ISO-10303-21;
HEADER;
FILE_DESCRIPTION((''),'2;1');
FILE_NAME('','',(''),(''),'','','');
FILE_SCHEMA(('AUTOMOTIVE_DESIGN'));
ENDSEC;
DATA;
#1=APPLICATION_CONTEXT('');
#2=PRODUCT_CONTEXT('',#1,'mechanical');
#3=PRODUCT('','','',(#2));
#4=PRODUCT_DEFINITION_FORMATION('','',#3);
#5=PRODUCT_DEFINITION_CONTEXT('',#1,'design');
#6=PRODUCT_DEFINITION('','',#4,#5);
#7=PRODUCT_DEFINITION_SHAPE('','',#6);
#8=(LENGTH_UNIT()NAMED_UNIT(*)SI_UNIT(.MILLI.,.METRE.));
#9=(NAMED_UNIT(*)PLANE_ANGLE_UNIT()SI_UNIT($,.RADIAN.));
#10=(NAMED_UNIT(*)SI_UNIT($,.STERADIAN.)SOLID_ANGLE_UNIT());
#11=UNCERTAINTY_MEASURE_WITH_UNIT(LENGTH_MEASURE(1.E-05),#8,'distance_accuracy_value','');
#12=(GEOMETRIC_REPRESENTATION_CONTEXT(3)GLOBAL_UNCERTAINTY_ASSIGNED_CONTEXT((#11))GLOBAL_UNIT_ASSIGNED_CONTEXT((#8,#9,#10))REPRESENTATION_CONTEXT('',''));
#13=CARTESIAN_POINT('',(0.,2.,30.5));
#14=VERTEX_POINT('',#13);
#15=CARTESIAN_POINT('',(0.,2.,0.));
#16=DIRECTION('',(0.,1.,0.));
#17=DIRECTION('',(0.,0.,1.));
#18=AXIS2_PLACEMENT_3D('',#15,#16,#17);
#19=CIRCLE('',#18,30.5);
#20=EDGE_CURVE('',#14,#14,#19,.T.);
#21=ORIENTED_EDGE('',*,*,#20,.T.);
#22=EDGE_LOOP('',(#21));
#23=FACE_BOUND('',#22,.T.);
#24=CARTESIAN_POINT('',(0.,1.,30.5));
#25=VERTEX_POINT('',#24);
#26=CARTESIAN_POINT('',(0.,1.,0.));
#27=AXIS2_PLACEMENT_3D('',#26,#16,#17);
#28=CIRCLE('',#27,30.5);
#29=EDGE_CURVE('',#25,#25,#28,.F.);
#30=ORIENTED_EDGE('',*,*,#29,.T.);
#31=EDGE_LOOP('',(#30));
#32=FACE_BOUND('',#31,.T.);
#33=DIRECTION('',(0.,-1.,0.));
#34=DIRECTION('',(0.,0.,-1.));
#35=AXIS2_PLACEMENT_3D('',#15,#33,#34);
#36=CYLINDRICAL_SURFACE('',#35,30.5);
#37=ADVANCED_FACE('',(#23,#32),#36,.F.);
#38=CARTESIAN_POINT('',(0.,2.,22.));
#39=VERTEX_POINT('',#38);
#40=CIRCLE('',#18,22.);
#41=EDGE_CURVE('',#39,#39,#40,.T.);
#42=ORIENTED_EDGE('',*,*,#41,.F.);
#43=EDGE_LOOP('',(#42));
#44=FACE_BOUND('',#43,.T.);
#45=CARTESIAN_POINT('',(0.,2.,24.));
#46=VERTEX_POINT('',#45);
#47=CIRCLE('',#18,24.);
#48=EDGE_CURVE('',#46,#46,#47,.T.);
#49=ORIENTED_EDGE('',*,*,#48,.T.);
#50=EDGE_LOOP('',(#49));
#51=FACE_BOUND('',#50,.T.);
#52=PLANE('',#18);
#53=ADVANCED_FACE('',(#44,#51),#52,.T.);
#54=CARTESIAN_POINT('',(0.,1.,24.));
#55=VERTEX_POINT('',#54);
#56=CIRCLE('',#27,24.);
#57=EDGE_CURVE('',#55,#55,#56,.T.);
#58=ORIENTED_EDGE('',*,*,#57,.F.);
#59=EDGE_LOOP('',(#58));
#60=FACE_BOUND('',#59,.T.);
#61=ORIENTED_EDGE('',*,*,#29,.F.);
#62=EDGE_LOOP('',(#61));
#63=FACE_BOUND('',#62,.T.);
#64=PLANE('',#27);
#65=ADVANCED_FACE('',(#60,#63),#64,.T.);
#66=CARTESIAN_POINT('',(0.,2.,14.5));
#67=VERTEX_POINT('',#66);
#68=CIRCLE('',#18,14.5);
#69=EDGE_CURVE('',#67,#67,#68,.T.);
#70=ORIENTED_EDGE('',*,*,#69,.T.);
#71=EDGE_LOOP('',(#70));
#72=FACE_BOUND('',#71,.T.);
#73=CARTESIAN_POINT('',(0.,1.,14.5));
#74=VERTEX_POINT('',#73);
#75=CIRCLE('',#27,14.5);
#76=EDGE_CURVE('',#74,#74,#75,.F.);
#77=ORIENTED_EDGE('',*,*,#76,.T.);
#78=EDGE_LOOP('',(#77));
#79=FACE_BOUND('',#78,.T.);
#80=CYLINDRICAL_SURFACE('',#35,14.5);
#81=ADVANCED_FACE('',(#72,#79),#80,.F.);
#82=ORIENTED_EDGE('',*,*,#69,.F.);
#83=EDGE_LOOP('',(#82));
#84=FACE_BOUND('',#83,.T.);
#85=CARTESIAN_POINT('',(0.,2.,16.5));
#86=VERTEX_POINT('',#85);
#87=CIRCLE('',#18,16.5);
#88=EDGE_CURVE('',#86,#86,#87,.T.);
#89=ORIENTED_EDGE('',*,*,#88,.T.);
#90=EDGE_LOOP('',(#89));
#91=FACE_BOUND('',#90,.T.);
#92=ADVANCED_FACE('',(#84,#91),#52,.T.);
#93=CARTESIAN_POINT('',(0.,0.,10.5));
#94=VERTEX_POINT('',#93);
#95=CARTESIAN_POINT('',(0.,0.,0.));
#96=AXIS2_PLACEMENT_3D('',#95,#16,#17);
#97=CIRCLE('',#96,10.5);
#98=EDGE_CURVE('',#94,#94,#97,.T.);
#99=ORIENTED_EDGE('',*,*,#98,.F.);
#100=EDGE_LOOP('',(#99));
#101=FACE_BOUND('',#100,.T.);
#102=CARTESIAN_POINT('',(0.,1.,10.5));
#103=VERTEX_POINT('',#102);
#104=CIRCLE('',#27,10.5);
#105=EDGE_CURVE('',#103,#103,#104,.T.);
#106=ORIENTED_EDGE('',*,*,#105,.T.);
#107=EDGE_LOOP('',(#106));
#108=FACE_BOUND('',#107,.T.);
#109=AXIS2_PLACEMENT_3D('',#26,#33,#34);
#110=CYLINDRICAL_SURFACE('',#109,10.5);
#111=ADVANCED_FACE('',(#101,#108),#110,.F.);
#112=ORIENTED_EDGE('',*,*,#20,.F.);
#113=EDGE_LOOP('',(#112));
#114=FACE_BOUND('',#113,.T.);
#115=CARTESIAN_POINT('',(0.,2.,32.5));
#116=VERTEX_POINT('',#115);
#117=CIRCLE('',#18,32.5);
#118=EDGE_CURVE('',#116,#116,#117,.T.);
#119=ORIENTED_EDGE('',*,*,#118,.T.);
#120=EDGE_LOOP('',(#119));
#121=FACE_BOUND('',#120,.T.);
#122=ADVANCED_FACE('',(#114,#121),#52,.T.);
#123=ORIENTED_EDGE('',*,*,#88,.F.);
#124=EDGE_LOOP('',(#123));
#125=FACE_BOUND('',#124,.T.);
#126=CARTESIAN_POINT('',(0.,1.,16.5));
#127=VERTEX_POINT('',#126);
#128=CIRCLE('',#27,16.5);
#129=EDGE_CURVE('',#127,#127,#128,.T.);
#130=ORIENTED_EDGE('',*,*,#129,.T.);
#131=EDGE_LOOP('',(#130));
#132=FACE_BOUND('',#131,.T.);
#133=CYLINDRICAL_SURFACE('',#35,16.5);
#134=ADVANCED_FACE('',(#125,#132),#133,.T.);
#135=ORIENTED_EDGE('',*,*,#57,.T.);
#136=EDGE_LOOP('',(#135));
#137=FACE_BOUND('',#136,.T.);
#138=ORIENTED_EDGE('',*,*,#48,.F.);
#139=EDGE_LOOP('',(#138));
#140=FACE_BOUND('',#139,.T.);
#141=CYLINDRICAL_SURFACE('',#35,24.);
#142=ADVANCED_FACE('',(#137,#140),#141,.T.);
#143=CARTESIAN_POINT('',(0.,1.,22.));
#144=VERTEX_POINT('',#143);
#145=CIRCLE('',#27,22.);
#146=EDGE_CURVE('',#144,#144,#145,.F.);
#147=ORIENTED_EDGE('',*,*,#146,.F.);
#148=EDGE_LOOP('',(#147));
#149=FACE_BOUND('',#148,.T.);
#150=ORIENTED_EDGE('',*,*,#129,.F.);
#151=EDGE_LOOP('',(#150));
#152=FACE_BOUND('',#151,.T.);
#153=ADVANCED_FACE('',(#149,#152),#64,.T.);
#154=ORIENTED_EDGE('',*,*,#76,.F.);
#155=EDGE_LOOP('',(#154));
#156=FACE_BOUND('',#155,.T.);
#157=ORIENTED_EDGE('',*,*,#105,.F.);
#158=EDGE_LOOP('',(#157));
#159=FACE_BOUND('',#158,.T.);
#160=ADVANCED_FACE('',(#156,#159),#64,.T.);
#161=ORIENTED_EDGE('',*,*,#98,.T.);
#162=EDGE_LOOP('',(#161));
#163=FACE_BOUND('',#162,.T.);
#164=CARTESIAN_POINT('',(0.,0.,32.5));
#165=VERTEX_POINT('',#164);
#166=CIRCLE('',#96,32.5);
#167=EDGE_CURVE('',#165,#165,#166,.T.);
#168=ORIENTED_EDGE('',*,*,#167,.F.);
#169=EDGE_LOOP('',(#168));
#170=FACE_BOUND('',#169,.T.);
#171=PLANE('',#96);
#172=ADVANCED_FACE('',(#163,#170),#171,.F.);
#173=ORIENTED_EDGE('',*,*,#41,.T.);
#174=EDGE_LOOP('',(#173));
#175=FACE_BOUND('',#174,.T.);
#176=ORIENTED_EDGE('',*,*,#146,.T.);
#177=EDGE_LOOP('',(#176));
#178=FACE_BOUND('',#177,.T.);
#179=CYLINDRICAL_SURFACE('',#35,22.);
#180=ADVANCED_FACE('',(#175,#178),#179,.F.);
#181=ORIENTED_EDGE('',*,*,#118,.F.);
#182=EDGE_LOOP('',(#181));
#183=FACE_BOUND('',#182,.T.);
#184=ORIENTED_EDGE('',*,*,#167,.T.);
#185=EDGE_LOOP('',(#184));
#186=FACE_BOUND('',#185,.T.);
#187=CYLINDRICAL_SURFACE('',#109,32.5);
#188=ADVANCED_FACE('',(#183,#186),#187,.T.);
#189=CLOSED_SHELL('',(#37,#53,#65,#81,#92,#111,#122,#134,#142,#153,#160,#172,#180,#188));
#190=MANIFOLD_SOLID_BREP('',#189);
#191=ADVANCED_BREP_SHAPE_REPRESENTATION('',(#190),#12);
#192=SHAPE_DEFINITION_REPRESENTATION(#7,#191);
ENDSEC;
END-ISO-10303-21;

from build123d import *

# Parameters (mm, degrees)
SZKIC1_R                    = 32.5
SZKIC1_R_2                  = 10.5
DODANIE_WYCI_GNI_CIE1_DEPTH = 1
SZKIC2_R                    = 32.5
SZKIC2_R_2                  = 30.5
SZKIC2_R_3                  = 24
SZKIC2_R_4                  = 22
SZKIC2_R_5                  = 16.5
SZKIC2_R_6                  = 14.5
DODANIE_WYCI_GNI_CIE2_DEPTH = 1


with BuildPart() as part:
    # Szkic1 → Dodanie-wyciągnięcie1 (new body)
    with BuildSketch(Plane(origin=(0, 0, 0), x_dir=(1, 0, 0), z_dir=(0, 1, 0))):
        with Locations(Location((0, 0, 0), (0, 0, 270))):
            Circle(SZKIC1_R)
        with Locations(Location((0, 0, 0), (0, 0, 270))):
            Circle(SZKIC1_R_2, mode=Mode.SUBTRACT)
    extrude(amount=DODANIE_WYCI_GNI_CIE1_DEPTH)

    # Szkic2 → Dodanie-wyciągnięcie2 (add)
    # profile 1 of 3: a face of its own
    with BuildSketch(Plane(origin=(0, 1, 0), x_dir=(1, 0, 0), z_dir=(0, 1, 0))):
        with Locations(Location((0, 0, 0), (0, 0, 270))):
            Circle(SZKIC2_R)
        with Locations(Location((0, 0, 0), (0, 0, 270))):
            Circle(SZKIC2_R_2, mode=Mode.SUBTRACT)
    # profile 2 of 3: a face of its own
    with BuildSketch(Plane(origin=(0, 1, 0), x_dir=(1, 0, 0), z_dir=(0, 1, 0))):
        with Locations(Location((0, 0, 0), (0, 0, 270))):
            Circle(SZKIC2_R_3)
        with Locations(Location((0, 0, 0), (0, 0, 270))):
            Circle(SZKIC2_R_4, mode=Mode.SUBTRACT)
    # profile 3 of 3: a face of its own
    with BuildSketch(Plane(origin=(0, 1, 0), x_dir=(1, 0, 0), z_dir=(0, 1, 0))):
        with Locations(Location((0, 0, 0), (0, 0, 270))):
            Circle(SZKIC2_R_5)
        with Locations(Location((0, 0, 0), (0, 0, 270))):
            Circle(SZKIC2_R_6, mode=Mode.SUBTRACT)
    extrude(amount=DODANIE_WYCI_GNI_CIE2_DEPTH)


solid = part.part
